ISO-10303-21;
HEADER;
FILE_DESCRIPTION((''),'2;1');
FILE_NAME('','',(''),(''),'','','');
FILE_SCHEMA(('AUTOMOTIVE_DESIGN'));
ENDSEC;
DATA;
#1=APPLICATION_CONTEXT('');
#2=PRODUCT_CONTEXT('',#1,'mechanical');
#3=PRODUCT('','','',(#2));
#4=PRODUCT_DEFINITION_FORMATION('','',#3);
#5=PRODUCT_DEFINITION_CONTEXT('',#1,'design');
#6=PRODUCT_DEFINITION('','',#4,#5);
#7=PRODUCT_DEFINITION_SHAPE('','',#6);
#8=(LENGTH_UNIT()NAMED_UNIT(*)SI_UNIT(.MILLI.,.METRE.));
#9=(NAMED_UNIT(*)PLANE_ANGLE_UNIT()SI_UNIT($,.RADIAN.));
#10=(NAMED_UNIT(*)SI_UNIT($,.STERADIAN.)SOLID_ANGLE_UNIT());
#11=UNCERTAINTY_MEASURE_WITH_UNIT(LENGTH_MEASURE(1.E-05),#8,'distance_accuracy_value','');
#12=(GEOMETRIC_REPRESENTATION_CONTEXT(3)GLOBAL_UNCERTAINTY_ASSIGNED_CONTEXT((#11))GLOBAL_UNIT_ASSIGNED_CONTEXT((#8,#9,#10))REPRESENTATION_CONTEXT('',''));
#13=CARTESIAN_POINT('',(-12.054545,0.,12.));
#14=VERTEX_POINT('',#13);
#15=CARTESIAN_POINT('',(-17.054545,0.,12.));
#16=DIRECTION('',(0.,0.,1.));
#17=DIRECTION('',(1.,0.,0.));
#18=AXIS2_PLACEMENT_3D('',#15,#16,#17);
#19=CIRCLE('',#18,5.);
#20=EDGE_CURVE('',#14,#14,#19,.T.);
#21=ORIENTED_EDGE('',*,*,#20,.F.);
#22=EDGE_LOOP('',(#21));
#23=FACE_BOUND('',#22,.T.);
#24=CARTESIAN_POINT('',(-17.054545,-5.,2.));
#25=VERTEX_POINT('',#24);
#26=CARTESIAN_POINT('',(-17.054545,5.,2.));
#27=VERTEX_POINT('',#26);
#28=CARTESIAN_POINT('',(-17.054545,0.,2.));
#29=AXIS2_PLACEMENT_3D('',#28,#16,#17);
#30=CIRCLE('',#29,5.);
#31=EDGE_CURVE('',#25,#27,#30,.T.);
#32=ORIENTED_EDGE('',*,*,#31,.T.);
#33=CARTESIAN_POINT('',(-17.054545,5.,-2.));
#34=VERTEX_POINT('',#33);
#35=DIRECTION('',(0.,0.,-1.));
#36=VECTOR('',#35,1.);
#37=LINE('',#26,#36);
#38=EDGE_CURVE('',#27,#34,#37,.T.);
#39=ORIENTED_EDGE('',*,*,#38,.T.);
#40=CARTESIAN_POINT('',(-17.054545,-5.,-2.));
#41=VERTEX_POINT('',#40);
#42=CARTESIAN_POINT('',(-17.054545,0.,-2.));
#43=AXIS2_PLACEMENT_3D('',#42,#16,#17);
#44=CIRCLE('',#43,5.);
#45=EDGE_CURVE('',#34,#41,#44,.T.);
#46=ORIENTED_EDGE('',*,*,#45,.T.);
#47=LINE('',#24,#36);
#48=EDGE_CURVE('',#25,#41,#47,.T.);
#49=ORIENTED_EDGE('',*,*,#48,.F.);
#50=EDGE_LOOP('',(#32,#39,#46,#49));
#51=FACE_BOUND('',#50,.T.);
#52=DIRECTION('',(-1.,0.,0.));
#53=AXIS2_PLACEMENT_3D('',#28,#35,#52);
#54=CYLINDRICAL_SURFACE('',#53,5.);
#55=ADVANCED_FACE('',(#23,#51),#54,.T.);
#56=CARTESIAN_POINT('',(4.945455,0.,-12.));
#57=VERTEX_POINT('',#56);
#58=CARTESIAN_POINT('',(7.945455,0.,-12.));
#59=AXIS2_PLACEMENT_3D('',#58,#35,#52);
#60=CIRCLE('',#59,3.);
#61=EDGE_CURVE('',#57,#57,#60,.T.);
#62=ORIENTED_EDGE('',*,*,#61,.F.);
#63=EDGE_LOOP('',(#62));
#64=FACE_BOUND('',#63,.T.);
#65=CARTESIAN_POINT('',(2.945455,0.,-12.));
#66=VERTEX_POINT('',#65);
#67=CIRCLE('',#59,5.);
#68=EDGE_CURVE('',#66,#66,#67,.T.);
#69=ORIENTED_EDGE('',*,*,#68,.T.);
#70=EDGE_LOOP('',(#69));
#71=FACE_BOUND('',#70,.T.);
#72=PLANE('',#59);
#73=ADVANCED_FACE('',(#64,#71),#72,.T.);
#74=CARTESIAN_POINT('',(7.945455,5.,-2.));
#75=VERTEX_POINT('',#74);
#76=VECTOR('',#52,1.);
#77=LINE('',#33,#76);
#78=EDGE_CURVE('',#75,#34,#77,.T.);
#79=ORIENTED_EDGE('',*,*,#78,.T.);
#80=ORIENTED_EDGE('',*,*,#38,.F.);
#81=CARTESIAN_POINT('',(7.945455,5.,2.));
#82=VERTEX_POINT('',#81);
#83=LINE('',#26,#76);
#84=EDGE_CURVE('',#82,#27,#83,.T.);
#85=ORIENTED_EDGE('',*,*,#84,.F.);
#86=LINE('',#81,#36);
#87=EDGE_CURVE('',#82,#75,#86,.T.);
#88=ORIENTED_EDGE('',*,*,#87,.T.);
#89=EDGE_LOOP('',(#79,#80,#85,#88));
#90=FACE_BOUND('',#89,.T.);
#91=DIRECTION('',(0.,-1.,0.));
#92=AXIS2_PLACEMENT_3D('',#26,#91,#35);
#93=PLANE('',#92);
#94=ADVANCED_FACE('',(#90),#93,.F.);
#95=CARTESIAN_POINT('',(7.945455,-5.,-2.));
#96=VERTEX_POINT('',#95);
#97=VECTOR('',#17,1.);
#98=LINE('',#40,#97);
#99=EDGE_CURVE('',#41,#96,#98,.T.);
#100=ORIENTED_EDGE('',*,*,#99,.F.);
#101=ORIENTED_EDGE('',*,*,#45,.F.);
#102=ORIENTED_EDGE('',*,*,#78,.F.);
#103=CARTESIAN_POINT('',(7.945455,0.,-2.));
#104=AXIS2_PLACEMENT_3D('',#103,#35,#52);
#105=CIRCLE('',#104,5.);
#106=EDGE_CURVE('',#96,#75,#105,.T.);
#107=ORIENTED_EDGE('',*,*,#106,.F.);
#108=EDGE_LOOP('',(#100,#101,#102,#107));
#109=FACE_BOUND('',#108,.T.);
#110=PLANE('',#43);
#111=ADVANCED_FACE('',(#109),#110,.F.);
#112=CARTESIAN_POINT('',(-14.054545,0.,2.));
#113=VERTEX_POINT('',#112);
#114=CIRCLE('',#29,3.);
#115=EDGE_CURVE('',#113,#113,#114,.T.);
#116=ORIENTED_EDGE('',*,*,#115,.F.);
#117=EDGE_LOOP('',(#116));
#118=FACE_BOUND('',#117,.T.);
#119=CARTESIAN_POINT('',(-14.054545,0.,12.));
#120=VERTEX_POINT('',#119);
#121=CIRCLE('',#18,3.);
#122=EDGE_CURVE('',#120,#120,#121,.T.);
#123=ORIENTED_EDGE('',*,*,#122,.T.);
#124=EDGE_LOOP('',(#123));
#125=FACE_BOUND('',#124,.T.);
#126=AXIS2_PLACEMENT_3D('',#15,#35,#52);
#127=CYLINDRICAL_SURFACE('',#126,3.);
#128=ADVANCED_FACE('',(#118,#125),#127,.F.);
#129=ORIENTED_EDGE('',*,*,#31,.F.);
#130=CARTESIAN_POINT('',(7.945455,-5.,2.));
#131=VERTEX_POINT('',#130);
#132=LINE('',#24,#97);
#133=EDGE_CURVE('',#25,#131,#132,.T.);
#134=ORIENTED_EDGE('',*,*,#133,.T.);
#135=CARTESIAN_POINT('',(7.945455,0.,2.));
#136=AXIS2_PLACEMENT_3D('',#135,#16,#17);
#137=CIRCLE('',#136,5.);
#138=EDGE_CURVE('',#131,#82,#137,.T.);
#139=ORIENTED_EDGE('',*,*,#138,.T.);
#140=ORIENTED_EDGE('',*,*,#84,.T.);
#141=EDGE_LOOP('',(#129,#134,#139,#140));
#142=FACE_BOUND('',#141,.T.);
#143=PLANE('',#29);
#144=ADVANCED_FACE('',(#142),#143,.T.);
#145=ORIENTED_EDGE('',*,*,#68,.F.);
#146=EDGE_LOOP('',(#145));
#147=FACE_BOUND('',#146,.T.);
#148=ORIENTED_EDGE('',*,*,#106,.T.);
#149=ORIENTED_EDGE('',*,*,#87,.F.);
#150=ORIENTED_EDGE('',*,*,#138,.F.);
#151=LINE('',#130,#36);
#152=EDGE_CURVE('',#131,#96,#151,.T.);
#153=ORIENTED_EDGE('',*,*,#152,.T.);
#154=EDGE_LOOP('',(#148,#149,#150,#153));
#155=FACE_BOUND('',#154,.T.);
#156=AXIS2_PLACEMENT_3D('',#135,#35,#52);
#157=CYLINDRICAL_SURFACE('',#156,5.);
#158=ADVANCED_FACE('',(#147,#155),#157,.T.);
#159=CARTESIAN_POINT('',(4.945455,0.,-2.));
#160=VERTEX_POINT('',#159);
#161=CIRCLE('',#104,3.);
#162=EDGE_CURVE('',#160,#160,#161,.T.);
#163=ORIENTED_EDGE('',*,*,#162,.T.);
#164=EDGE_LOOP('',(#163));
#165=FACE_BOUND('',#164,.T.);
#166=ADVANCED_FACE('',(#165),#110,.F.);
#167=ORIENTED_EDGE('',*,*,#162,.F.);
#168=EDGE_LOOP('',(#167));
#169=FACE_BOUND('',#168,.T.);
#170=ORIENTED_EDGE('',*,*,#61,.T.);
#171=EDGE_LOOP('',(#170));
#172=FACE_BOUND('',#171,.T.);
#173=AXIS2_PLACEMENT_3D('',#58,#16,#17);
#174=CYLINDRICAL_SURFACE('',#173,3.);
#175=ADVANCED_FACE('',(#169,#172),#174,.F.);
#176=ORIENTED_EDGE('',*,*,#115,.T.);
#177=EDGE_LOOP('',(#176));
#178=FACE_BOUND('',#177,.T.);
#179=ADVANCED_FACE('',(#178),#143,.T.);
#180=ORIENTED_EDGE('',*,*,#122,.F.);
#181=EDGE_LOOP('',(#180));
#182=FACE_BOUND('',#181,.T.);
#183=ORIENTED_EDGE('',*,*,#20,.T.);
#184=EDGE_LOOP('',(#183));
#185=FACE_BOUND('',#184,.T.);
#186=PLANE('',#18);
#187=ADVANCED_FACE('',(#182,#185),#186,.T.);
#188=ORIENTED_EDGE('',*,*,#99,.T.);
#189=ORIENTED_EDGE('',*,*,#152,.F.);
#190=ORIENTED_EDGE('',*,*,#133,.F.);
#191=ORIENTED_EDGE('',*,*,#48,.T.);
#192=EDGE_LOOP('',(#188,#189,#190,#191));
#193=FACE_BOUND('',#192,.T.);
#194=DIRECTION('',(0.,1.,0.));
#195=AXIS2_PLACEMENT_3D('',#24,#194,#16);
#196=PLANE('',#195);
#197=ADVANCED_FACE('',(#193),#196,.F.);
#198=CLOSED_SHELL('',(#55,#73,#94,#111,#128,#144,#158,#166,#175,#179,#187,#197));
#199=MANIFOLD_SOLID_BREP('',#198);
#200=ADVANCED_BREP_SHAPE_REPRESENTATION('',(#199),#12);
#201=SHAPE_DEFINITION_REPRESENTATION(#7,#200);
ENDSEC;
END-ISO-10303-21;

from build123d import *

# Parameters (mm, degrees)
BOSS_EXTRUDE1_DEPTH = 2
BOSS_EXTRUDE2_START = 10
SKETCH3_R           = 5
SKETCH3_R_2         = 3
BOSS_EXTRUDE2_DEPTH = 10
SKETCH4_R           = 5
SKETCH4_R_2         = 3
BOSS_EXTRUDE3_DEPTH = 10


with BuildPart() as part:
    # Sketch2 → Boss-Extrude1 (new, symmetric)
    with BuildSketch(Plane.XY):
        with BuildLine():
            Line((-17.054545455, 5), (7.945454545, 5))
            ThreePointArc((7.945454545, 5), (12.945454545, 0), (7.945454545, -5))
            Line((7.945454545, -5), (-17.054545455, -5))
            ThreePointArc((-17.054545455, -5), (-22.054545455, 0), (-17.054545455, 5))
        make_face()
    extrude(amount=BOSS_EXTRUDE1_DEPTH, both=True)

    # Sketch3 → Boss-Extrude2 (add)
    with BuildSketch(Plane.XY.offset(2).offset(BOSS_EXTRUDE2_START)):
        with Locations(Location((-17.054545455, 0, 0), (0, 0, 270))):
            Circle(SKETCH3_R)
        with Locations((-17.054545455, 0)):
            Circle(SKETCH3_R_2, mode=Mode.SUBTRACT)
    extrude(amount=-BOSS_EXTRUDE2_DEPTH)

    # Sketch4 → Boss-Extrude3 (add)
    with BuildSketch(Plane(origin=(0, 0, -2), x_dir=(-1, 0, 0), z_dir=(0, 0, -1))):
        with Locations((-7.945454545, 0)):
            Circle(SKETCH4_R)
        with Locations((-7.945454545, 0)):
            Circle(SKETCH4_R_2, mode=Mode.SUBTRACT)
    extrude(amount=BOSS_EXTRUDE3_DEPTH)


solid = part.part
